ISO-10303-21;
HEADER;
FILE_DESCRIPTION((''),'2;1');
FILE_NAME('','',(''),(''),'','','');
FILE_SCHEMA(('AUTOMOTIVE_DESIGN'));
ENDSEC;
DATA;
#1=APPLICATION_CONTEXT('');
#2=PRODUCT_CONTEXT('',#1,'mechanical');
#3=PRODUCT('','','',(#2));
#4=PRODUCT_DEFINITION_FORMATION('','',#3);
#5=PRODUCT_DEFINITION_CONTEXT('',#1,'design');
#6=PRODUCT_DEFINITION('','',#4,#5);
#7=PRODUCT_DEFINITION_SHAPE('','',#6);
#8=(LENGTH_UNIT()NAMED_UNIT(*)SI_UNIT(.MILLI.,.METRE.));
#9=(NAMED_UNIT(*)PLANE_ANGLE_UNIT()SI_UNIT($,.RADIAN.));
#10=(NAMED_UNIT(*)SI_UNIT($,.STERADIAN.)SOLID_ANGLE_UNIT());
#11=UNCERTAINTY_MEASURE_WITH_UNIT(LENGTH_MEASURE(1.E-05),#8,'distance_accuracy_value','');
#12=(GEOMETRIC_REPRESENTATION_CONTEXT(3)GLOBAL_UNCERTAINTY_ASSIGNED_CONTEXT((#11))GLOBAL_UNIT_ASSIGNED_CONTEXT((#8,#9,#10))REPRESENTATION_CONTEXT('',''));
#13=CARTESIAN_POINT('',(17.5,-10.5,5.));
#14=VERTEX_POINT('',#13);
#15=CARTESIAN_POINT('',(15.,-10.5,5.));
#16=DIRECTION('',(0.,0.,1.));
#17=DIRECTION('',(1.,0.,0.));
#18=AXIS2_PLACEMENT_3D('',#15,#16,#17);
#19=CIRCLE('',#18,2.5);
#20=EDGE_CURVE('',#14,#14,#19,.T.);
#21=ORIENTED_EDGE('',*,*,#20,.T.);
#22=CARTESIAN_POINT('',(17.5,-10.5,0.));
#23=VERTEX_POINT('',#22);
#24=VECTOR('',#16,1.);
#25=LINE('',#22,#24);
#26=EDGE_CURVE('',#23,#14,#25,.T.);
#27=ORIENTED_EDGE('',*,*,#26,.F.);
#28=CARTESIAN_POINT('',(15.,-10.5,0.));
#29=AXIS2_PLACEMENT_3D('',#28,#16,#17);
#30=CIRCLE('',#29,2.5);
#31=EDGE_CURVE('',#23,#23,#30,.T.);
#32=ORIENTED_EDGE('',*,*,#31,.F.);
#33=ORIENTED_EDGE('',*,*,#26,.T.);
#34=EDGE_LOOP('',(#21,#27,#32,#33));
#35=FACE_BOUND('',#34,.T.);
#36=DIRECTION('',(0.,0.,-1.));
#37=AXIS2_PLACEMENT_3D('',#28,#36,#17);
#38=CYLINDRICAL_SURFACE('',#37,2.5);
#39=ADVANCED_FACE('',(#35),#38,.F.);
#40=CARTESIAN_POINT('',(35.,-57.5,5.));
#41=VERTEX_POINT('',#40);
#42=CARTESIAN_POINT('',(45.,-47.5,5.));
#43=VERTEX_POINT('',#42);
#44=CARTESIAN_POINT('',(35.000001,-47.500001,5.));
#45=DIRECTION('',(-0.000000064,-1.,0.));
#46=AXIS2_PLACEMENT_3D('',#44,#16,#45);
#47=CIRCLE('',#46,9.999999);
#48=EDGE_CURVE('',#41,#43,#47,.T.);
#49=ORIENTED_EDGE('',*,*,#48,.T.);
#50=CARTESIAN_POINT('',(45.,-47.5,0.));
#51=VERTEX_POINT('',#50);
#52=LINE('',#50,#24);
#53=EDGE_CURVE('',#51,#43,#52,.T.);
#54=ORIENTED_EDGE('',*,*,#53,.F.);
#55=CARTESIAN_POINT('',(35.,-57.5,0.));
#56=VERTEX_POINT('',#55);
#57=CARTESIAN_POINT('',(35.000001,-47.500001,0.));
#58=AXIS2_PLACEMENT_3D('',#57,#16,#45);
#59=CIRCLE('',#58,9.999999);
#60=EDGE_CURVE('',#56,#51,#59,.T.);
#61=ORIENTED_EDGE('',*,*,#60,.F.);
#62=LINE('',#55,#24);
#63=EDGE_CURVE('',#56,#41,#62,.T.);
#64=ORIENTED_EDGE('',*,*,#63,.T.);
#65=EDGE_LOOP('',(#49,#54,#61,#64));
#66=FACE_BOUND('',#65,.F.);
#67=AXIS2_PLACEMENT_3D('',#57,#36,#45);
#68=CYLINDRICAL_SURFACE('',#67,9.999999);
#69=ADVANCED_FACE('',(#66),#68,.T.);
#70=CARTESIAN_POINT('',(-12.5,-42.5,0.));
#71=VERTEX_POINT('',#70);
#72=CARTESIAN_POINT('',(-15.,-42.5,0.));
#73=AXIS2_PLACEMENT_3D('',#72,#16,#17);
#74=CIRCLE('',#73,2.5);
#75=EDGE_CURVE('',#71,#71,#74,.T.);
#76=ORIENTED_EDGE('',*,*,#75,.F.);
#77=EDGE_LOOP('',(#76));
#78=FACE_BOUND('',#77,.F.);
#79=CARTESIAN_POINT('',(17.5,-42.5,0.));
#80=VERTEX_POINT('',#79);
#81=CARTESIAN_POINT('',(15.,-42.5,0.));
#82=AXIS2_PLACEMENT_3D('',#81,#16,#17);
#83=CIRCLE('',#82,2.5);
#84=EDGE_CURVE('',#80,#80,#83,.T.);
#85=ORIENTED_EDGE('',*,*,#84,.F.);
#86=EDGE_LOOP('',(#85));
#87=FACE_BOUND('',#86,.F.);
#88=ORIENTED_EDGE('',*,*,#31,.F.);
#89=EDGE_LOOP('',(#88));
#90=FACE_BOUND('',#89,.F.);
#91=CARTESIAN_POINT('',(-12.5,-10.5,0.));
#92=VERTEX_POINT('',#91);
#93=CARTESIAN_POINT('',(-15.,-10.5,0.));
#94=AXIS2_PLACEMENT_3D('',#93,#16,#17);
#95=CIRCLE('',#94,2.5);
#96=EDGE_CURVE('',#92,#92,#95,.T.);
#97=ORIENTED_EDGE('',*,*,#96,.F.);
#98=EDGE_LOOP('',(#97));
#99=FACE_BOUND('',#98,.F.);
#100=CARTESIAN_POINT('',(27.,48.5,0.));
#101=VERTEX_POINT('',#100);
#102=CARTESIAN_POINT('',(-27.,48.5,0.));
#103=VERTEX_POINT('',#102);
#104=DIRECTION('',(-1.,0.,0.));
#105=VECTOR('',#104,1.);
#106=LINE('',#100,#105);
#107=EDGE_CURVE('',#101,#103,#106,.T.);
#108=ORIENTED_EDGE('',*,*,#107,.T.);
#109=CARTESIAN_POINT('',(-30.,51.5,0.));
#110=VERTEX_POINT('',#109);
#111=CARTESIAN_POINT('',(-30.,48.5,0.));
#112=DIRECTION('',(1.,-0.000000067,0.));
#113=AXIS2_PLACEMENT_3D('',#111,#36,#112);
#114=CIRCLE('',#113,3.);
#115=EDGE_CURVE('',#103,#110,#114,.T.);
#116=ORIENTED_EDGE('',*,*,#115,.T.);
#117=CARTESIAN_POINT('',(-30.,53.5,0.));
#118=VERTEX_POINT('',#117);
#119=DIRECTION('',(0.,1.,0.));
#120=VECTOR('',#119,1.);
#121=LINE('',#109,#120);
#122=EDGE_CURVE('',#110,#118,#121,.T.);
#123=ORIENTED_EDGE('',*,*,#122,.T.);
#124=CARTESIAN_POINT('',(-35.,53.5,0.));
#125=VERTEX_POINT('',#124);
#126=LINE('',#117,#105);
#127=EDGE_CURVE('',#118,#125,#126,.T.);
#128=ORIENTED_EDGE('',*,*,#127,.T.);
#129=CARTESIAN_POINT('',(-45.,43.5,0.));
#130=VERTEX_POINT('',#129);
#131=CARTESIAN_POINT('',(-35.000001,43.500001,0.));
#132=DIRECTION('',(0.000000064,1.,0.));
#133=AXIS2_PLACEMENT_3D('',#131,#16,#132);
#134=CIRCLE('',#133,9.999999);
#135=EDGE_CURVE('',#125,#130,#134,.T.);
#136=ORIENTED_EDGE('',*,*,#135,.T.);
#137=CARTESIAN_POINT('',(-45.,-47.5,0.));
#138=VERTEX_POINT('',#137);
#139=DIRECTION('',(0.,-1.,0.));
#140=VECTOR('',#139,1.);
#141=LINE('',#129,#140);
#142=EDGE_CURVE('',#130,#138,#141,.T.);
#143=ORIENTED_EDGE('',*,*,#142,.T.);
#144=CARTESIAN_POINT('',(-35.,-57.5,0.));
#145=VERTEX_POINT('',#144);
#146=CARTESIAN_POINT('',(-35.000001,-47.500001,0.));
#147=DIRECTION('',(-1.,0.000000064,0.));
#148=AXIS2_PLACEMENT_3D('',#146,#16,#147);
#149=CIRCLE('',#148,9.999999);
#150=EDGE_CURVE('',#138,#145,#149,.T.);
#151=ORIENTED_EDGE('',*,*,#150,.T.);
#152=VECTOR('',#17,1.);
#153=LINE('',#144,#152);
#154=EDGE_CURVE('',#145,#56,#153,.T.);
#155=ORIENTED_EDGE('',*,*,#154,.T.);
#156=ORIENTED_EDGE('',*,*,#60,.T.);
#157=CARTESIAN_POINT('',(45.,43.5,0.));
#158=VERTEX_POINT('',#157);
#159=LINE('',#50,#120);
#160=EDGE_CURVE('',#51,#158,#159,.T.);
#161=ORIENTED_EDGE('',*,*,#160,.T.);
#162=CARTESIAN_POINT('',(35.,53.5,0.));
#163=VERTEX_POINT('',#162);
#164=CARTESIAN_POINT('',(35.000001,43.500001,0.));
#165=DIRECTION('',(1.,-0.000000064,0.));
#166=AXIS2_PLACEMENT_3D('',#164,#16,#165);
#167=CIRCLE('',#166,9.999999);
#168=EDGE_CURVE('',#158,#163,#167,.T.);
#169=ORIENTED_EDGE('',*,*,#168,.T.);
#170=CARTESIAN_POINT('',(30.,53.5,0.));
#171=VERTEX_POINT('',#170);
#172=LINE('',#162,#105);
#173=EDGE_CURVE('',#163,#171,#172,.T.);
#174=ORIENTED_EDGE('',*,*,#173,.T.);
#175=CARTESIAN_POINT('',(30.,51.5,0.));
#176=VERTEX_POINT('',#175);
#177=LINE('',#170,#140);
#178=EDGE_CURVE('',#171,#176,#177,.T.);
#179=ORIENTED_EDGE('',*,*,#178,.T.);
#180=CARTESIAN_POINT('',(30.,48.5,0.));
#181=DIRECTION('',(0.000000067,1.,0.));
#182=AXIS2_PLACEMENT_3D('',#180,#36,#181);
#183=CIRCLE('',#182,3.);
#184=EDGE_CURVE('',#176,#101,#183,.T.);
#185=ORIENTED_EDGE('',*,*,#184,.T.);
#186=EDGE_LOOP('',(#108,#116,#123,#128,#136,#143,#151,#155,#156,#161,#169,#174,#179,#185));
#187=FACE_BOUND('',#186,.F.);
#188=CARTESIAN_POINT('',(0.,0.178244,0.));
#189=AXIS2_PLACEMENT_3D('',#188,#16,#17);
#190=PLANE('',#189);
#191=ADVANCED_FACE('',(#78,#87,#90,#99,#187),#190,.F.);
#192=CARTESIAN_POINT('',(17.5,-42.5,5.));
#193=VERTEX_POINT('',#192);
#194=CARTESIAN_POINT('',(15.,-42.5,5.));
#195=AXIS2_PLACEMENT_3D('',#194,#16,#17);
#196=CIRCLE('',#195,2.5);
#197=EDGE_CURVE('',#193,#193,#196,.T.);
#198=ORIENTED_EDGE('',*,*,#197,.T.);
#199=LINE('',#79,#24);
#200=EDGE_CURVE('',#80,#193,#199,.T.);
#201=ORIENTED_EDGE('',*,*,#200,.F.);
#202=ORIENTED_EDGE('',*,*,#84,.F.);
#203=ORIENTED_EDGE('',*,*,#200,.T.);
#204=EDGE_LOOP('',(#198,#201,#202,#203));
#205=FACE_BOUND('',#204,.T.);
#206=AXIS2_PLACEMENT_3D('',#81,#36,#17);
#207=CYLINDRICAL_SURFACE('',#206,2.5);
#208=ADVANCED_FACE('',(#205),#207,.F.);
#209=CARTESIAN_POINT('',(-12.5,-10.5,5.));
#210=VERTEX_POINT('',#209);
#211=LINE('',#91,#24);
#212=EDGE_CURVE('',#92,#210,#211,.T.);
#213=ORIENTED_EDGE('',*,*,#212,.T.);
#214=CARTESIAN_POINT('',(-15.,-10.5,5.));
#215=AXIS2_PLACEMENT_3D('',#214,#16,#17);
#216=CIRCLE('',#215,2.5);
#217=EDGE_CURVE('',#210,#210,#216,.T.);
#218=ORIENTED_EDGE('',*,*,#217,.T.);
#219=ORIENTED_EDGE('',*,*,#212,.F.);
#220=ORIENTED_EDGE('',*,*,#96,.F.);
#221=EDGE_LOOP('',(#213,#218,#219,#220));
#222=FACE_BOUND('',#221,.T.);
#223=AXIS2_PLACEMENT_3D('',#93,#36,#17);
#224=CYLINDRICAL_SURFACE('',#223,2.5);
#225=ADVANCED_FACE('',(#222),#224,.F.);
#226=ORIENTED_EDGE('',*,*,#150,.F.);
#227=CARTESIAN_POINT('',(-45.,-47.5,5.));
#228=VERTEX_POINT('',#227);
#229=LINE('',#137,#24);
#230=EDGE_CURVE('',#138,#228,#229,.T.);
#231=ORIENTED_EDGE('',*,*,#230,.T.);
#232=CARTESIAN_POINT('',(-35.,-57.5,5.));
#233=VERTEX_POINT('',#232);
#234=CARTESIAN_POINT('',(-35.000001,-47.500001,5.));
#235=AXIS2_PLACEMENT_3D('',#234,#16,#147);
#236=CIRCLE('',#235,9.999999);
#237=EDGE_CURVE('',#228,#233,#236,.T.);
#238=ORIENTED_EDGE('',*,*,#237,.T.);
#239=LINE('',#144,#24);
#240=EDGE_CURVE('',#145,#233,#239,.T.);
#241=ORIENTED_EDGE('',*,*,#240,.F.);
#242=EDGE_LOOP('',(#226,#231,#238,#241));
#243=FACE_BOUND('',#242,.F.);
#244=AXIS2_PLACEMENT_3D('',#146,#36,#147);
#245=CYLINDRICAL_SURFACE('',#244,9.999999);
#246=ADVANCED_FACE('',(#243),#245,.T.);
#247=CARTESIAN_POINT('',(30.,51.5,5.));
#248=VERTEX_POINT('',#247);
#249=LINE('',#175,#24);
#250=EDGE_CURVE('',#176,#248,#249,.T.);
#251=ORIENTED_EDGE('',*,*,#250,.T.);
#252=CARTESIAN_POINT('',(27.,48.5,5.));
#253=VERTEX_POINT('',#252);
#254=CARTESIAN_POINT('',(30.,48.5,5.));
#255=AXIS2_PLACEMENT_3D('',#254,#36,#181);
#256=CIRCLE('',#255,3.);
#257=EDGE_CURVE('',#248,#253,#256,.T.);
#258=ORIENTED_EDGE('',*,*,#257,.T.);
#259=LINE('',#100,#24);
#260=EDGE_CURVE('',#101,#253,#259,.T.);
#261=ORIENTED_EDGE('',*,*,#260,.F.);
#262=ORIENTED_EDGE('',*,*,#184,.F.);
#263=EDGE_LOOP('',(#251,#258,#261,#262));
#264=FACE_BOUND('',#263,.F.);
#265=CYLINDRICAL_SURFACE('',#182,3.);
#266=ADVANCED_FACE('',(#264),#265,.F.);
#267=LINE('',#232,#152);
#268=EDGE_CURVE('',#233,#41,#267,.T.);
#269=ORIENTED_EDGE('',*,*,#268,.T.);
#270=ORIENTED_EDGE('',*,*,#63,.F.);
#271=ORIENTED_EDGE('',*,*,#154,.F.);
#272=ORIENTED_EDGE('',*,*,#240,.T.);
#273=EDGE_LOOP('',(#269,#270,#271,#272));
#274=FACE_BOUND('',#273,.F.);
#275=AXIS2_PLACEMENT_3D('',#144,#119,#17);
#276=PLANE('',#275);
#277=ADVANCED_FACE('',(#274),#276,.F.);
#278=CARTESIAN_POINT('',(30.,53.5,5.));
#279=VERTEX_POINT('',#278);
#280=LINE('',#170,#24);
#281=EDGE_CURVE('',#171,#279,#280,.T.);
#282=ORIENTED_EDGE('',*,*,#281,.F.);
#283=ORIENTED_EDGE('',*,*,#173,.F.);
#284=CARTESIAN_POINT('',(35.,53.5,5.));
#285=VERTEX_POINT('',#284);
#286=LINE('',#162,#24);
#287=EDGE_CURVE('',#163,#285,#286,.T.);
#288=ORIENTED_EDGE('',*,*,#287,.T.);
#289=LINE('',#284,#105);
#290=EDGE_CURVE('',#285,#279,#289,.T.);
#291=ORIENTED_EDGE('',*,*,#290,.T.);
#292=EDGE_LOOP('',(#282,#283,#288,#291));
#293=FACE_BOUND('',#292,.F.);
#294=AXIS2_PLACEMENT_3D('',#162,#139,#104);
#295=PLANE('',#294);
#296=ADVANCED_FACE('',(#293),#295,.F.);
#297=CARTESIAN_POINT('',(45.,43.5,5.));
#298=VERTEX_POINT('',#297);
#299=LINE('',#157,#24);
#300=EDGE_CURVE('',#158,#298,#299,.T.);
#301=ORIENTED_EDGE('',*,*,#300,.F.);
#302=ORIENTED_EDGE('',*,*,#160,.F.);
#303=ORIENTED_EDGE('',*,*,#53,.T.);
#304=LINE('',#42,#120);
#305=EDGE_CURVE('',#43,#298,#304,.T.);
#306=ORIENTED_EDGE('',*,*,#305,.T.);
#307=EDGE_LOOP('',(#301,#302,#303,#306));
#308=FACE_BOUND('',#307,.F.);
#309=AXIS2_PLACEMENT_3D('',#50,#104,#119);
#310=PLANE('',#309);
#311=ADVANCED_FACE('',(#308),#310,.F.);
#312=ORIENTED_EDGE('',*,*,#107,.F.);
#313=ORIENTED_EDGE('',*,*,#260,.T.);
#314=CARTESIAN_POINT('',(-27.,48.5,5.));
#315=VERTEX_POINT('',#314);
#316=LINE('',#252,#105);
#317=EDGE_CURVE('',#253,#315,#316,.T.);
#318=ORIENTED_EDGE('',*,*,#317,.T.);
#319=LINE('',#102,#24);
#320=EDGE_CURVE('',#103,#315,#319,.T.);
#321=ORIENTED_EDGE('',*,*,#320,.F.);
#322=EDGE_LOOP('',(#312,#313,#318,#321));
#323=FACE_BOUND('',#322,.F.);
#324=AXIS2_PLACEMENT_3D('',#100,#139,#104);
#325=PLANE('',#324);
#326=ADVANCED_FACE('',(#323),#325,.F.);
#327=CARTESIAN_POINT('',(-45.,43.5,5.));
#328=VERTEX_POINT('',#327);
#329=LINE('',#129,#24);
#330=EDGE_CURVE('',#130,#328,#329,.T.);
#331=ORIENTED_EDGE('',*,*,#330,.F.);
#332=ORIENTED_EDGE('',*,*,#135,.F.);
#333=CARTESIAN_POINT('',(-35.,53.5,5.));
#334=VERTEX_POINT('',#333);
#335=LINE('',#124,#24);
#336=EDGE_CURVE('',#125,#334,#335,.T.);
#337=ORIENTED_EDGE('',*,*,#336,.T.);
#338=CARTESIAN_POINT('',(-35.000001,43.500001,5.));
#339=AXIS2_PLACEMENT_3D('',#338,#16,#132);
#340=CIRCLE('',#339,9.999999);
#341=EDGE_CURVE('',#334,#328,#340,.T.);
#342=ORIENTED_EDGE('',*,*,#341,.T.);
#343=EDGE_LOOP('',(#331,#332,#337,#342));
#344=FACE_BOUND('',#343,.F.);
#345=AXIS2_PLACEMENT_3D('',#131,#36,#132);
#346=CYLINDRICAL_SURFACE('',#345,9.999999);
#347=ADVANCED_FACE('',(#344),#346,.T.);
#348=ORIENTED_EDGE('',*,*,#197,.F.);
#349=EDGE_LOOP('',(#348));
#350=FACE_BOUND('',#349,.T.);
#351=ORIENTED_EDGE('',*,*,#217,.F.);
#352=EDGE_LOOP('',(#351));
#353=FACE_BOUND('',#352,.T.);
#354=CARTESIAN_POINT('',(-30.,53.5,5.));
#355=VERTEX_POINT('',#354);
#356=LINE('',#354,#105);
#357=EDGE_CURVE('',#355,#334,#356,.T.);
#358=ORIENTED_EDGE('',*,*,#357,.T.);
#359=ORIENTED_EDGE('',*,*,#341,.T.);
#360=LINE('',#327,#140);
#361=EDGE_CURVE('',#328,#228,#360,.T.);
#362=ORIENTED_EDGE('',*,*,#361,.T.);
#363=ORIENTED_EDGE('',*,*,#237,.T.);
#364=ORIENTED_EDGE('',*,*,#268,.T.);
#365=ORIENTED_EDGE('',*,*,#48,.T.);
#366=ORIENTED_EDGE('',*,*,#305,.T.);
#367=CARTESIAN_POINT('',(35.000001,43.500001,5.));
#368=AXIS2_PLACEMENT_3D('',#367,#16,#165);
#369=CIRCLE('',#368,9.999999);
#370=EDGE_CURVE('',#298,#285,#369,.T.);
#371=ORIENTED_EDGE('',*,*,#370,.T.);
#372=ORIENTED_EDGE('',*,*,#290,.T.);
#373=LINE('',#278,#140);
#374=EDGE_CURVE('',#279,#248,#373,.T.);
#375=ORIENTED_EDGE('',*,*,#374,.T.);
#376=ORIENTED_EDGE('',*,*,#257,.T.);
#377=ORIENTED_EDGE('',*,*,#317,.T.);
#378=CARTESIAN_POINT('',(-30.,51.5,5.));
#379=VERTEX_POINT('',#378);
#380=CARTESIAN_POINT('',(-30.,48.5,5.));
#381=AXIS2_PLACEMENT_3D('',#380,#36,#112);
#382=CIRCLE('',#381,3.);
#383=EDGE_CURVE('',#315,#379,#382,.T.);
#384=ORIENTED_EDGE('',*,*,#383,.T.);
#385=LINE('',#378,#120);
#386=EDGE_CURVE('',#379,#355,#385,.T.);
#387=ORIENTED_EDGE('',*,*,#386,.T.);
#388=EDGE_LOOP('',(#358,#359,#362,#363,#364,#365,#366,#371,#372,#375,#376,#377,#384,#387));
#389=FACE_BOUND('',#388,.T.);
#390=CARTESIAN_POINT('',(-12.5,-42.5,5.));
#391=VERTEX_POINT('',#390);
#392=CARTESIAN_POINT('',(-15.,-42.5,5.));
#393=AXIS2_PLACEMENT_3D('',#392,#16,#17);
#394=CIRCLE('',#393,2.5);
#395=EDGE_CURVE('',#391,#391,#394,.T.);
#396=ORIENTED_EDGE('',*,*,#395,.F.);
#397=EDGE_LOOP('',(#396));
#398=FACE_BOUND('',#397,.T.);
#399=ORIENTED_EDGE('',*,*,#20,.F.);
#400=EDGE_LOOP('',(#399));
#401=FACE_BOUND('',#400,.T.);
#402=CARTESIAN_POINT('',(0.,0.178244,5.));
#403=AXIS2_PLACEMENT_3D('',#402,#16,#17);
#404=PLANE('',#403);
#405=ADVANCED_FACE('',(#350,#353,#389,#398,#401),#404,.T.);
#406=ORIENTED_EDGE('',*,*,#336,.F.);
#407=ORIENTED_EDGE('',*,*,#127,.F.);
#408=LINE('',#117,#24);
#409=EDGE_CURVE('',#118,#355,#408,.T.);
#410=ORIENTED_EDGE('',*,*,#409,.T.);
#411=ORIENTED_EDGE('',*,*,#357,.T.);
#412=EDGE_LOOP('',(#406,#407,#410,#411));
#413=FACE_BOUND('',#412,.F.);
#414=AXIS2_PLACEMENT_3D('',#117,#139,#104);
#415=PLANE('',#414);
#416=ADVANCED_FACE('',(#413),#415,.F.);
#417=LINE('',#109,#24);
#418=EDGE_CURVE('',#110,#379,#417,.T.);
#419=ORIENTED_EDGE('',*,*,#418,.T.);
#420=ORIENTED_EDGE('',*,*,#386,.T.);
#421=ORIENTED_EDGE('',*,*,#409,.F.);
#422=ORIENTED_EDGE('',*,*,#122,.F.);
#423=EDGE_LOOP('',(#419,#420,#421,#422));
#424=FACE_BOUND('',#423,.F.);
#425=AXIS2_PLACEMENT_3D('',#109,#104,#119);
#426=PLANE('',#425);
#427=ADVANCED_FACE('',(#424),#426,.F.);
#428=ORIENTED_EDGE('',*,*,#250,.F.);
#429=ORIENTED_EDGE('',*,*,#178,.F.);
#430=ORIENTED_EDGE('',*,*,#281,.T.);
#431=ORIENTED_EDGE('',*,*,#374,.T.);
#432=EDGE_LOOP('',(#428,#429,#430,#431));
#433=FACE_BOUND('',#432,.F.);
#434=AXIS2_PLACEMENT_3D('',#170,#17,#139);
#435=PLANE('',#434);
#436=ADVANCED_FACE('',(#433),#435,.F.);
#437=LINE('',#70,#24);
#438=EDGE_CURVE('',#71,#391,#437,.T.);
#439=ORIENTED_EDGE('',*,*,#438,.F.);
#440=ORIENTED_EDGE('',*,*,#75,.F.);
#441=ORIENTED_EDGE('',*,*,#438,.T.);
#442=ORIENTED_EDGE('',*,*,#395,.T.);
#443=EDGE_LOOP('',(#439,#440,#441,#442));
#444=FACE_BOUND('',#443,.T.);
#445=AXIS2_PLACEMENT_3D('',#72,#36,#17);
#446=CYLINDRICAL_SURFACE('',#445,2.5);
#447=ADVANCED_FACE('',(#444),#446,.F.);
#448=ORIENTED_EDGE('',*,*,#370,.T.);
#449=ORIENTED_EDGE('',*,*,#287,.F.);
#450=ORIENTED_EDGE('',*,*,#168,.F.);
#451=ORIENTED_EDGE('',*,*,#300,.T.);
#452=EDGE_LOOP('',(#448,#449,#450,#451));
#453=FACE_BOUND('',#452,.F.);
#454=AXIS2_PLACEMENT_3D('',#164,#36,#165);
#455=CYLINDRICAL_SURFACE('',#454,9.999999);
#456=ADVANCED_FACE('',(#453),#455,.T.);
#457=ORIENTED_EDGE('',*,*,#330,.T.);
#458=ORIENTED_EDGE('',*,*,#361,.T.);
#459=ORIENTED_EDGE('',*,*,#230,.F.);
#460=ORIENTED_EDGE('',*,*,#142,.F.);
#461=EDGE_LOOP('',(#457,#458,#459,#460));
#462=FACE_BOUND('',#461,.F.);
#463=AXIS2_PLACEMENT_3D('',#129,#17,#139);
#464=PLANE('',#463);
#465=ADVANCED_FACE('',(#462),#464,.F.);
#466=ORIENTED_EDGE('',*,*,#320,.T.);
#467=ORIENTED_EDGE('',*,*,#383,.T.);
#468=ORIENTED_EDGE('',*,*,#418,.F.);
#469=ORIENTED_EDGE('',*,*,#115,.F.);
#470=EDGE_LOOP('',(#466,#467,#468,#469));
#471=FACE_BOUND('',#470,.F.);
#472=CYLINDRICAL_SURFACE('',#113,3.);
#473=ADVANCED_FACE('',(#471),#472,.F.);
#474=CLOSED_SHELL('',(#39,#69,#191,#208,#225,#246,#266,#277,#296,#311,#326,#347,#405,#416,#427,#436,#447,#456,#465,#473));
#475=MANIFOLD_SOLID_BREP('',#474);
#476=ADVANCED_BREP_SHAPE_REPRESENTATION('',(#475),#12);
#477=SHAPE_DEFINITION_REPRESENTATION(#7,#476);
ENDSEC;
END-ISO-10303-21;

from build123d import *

# Parameters (mm, degrees)
F0_R     = 2.5
F1_DEPTH = 5


with BuildPart() as f1:
    # F0 (on Top) → F1 (new body)
    with BuildSketch(Plane.XY):
        with BuildLine():
            Line((-35, -57.5), (35, -57.5))
            ThreePointArc((35, -57.5), (42.071068, -54.571068), (45, -47.5))
            Line((45, -47.5), (45, 43.5))
            ThreePointArc((45, 43.5), (42.071068, 50.571068), (35, 53.5))
            Line((35, 53.5), (30, 53.5))
            Line((30, 53.5), (30, 51.5))
            ThreePointArc((30, 51.5), (32.12132, 46.37868), (27, 48.5))
            Line((27, 48.5), (-27, 48.5))
            ThreePointArc((-27, 48.5), (-32.12132, 46.37868), (-30, 51.5))
            Line((-30, 51.5), (-30, 53.5))
            Line((-30, 53.5), (-35, 53.5))
            ThreePointArc((-35, 53.5), (-42.071068, 50.571068), (-45, 43.5))
            Line((-45, 43.5), (-45, -47.5))
            ThreePointArc((-45, -47.5), (-42.071068, -54.571068), (-35, -57.5))
        make_face()
        with Locations((-15, -42.5)):
            Circle(F0_R, mode=Mode.SUBTRACT)
        with Locations((-15, -10.5)):
            Circle(F0_R, mode=Mode.SUBTRACT)
        with Locations((15, -42.5)):
            Circle(F0_R, mode=Mode.SUBTRACT)
        with Locations((15, -10.5)):
            Circle(F0_R, mode=Mode.SUBTRACT)
    extrude(amount=F1_DEPTH)


solid = f1.part
